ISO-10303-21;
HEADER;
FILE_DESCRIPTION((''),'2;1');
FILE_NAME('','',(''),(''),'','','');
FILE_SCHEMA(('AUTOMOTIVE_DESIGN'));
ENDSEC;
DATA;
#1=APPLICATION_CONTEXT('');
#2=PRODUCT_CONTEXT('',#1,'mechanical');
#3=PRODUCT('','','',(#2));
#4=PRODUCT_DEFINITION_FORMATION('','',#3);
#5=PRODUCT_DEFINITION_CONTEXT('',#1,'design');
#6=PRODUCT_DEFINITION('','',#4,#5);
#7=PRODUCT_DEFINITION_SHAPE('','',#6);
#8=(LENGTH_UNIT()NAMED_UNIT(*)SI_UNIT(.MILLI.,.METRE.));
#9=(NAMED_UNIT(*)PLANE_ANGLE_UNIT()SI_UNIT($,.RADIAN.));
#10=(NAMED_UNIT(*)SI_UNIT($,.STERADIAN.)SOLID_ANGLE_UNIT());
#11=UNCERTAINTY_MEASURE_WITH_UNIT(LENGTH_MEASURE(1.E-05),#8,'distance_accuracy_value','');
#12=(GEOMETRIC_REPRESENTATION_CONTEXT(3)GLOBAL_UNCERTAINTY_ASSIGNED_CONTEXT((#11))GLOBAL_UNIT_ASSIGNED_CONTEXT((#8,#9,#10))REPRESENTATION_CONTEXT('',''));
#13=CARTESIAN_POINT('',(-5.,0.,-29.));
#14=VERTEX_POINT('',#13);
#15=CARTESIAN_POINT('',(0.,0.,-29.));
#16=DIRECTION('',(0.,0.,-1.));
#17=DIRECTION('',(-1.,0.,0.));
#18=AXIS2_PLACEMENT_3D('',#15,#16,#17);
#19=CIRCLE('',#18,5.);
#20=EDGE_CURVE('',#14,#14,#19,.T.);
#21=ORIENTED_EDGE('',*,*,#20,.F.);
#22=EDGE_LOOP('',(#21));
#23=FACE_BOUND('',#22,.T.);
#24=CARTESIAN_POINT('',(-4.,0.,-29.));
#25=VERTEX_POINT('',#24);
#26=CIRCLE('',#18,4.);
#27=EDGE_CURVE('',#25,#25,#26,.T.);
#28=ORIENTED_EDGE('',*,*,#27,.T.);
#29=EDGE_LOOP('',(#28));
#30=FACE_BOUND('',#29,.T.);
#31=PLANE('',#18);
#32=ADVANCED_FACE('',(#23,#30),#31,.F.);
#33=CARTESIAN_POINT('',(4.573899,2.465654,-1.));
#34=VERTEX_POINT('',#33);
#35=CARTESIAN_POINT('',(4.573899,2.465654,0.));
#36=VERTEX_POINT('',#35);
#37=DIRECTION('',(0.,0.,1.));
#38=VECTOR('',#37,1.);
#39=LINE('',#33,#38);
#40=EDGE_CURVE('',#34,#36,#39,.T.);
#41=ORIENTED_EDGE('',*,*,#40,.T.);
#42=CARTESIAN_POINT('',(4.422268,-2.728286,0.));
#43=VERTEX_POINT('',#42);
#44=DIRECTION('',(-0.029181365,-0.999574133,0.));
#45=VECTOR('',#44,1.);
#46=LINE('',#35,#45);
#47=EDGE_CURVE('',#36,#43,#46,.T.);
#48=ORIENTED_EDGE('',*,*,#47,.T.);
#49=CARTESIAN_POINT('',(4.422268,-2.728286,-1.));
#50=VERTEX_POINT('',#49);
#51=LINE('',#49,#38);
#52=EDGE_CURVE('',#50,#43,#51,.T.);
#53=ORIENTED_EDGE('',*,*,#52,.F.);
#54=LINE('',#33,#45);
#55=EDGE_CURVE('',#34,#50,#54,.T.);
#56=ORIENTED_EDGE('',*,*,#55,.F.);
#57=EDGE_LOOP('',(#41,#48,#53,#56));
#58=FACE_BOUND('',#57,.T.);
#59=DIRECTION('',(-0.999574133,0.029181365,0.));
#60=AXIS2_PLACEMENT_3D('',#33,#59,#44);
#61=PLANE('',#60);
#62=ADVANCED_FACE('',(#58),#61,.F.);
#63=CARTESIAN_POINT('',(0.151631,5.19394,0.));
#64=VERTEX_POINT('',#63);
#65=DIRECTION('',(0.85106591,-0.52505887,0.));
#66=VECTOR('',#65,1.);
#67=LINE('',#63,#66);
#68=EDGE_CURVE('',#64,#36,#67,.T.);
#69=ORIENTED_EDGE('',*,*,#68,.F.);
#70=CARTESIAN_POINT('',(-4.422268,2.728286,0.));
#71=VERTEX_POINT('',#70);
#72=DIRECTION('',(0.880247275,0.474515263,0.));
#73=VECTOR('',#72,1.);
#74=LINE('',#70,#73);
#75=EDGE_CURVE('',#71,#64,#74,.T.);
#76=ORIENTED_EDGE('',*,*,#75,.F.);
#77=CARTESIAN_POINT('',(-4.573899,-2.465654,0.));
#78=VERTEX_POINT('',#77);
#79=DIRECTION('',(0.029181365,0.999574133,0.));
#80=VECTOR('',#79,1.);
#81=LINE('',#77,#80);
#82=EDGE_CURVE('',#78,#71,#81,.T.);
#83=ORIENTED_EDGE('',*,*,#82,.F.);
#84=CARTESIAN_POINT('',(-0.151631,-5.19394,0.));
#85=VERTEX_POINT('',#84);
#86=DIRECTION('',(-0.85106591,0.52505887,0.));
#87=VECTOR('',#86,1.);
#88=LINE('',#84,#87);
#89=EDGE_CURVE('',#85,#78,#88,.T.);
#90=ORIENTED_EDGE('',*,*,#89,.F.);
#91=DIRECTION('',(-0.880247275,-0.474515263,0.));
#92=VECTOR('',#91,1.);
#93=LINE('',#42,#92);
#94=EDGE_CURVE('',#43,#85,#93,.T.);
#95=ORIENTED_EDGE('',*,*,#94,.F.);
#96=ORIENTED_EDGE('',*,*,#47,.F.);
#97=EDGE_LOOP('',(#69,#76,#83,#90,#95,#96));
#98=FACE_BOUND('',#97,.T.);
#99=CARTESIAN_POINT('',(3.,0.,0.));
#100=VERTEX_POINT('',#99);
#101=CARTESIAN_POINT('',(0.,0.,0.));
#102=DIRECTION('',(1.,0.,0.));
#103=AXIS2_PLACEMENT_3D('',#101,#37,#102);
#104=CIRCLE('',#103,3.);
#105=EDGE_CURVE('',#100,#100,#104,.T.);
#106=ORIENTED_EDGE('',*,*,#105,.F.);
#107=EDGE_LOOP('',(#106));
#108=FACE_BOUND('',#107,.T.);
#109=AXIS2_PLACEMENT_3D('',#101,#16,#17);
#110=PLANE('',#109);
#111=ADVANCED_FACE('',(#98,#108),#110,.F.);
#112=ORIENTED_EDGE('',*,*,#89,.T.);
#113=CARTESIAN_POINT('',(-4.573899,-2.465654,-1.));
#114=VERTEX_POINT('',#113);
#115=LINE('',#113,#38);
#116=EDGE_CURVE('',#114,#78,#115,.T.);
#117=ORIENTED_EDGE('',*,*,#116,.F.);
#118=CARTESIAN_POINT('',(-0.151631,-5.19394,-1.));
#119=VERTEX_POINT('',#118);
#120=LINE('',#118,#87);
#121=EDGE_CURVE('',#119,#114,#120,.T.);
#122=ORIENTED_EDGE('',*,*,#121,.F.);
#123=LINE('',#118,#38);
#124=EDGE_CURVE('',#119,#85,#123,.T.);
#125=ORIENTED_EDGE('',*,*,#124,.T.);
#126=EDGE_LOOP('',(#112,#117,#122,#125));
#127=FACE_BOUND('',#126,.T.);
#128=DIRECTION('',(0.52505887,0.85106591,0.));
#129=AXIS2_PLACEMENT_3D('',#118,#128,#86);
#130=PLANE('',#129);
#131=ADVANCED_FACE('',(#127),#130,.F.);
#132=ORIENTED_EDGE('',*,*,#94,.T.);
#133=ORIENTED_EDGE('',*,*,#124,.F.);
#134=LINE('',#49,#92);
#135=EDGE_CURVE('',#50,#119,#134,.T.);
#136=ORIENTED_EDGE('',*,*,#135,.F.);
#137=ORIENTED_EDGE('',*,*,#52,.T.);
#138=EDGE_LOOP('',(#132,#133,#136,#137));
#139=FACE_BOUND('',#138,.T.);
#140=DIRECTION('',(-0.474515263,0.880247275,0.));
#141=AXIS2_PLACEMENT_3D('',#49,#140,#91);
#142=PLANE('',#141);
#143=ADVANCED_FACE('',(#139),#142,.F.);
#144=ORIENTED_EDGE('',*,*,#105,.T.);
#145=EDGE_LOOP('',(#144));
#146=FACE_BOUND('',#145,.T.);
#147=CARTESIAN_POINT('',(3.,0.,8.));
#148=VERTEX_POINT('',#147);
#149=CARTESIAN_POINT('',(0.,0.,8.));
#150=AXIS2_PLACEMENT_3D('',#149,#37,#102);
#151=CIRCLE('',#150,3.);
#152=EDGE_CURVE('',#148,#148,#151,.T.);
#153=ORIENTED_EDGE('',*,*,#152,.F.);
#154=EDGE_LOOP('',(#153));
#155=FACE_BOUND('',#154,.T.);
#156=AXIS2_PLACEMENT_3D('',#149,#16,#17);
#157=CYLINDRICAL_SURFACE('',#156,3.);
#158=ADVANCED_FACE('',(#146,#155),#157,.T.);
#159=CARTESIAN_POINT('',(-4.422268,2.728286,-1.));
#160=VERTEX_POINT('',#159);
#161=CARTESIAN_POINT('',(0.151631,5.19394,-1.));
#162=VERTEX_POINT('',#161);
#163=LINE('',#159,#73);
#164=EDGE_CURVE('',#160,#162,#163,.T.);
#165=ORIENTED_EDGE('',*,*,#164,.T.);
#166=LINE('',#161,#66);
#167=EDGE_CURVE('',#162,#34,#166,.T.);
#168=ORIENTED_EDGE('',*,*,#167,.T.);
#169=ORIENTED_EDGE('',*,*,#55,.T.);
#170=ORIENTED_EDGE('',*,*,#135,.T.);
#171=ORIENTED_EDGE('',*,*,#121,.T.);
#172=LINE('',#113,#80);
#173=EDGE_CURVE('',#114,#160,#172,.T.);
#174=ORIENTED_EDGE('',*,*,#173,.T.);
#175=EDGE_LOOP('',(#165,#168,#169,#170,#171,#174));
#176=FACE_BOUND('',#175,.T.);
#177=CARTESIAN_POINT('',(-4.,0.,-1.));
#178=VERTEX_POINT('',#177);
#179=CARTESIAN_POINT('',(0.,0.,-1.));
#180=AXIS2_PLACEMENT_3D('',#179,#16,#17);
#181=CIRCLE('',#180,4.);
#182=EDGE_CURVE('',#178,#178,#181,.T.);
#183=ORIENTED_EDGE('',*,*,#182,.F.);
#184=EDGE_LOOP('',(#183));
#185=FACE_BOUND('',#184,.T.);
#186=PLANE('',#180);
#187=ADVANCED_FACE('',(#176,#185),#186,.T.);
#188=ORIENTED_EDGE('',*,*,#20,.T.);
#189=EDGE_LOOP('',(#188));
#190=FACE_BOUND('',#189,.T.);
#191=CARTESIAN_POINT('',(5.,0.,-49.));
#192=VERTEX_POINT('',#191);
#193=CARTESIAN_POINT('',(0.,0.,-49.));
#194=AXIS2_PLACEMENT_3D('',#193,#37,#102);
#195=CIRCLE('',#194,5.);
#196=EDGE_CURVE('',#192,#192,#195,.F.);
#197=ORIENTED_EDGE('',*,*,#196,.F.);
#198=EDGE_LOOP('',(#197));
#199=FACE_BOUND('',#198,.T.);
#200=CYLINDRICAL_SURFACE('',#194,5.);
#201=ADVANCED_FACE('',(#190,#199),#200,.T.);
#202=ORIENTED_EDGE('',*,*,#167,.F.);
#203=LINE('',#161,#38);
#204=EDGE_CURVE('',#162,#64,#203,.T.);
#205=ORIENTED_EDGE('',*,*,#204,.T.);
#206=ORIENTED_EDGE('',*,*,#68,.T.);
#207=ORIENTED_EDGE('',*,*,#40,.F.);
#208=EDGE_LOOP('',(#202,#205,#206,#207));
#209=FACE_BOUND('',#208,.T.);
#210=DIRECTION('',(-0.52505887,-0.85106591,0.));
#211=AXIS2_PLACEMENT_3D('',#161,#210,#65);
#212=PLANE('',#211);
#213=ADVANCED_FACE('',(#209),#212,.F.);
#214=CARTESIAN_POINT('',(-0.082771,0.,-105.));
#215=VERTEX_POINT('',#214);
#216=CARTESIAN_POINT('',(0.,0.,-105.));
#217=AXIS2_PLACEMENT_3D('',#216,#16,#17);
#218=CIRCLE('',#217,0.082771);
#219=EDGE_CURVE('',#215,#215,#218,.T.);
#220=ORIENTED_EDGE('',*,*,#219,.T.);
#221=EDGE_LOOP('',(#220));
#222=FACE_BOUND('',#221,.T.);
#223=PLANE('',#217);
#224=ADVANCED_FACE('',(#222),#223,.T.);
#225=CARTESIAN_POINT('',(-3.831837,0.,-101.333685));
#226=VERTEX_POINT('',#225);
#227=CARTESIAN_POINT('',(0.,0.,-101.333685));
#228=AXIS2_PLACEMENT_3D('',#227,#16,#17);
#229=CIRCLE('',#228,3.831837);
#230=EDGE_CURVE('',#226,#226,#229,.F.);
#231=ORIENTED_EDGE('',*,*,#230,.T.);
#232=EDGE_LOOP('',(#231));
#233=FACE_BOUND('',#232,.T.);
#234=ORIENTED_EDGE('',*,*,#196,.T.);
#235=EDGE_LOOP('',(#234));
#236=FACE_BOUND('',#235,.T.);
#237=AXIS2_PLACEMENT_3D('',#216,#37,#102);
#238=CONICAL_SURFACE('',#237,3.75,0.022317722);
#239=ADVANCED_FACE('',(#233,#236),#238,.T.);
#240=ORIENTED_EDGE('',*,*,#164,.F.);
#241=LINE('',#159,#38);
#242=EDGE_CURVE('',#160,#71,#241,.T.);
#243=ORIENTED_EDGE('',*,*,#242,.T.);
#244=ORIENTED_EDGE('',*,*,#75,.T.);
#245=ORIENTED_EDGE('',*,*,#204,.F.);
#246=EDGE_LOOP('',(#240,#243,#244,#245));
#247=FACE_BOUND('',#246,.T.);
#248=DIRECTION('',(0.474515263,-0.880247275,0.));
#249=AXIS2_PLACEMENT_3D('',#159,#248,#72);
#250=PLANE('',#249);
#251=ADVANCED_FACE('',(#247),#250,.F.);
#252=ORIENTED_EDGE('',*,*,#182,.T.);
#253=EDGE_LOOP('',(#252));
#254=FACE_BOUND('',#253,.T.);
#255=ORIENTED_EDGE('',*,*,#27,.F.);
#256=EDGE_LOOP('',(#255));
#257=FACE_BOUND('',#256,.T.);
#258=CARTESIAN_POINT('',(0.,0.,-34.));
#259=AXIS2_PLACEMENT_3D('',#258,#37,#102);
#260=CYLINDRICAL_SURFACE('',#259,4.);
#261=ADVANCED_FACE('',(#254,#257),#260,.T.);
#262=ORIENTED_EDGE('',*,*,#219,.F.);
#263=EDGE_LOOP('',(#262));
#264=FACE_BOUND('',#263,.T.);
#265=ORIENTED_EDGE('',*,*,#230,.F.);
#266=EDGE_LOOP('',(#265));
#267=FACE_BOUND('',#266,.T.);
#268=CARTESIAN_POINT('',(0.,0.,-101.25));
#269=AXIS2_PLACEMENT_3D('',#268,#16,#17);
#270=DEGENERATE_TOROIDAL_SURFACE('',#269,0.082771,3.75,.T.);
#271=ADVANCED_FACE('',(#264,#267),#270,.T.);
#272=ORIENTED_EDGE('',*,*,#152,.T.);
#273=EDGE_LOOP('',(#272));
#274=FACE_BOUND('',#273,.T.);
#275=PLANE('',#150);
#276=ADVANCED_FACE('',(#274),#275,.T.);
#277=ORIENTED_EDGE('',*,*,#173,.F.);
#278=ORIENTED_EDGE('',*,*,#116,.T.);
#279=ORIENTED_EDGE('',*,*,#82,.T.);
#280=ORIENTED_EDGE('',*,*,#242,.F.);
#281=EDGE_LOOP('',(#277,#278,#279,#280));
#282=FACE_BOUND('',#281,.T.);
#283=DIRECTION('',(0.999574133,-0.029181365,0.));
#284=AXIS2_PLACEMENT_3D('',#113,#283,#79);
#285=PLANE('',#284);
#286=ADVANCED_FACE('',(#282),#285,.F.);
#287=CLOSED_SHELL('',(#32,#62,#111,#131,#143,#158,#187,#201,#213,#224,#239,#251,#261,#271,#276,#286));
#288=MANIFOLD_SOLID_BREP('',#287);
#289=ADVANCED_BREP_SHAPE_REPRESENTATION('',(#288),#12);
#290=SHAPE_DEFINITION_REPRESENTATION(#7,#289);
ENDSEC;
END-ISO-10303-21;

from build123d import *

# Parameters (mm, degrees)
CROQUIS1_R              = 3
SALIENTE_EXTRUIR1_DEPTH = 8
SALIENTE_EXTRUIR2_DEPTH = 1
CROQUIS3_R              = 4
SALIENTE_EXTRUIR3_DEPTH = 33
SALIENTE_EXTRUIR5_START = -5
CROQUIS6_R              = 5
SALIENTE_EXTRUIR5_DEPTH = 20
CROQUIS7_R              = 3.75
REDONDEO3_R             = 3.75


with BuildPart() as part:
    # Croquis1 → Saliente-Extruir1 (new body)
    with BuildSketch(Plane.XY):
        Circle(CROQUIS1_R)
    extrude(amount=SALIENTE_EXTRUIR1_DEPTH)

    # Croquis2 → Saliente-Extruir2 (add)
    with BuildSketch(Plane(origin=(0, 0, 0), x_dir=(-1, 0, 0), z_dir=(0, 0, -1))):
        Polygon((4.42226819, 2.728285919), (-0.151630819, 5.193939554), (-4.573899009, 2.465653636), (-4.42226819, -2.728285919), (0.151630819, -5.193939554), (4.573899009, -2.465653636), align=None)
    extrude(amount=SALIENTE_EXTRUIR2_DEPTH)

    # Croquis3 → Saliente-Extruir3 (add)
    with BuildSketch(Plane(origin=(0, 0, -1), x_dir=(-1, 0, 0), z_dir=(0, 0, -1))):
        Circle(CROQUIS3_R)
    extrude(amount=SALIENTE_EXTRUIR3_DEPTH)

    # Croquis6 → Saliente-Extruir5 (add)
    with BuildSketch(Plane(origin=(0, 0, -34), x_dir=(-1, 0, 0), z_dir=(0, 0, -1)).offset(SALIENTE_EXTRUIR5_START)):
        Circle(CROQUIS6_R)
    extrude(amount=SALIENTE_EXTRUIR5_DEPTH)

    # Croquis7 → section 1 of recubrir2
    with BuildSketch(Plane(origin=(0, 0, -105), x_dir=(-1, 0, 0), z_dir=(0, 0, -1)), mode=Mode.PRIVATE) as recubrir2_s1:
        Circle(CROQUIS7_R)
    # loft up to a face of the part (recubrir2)
    loft([Face(Wire([part.edges().sort_by_distance((3.42273553, 3.644843137, -49))[0]])), recubrir2_s1.sketch])

    # Redondeo3
    redondeo3_edges = [part.edges().sort_by_distance(p)[0] for p in [
        (3.75, 0, -105),
    ]]
    fillet(redondeo3_edges, radius=REDONDEO3_R)


solid = part.part
